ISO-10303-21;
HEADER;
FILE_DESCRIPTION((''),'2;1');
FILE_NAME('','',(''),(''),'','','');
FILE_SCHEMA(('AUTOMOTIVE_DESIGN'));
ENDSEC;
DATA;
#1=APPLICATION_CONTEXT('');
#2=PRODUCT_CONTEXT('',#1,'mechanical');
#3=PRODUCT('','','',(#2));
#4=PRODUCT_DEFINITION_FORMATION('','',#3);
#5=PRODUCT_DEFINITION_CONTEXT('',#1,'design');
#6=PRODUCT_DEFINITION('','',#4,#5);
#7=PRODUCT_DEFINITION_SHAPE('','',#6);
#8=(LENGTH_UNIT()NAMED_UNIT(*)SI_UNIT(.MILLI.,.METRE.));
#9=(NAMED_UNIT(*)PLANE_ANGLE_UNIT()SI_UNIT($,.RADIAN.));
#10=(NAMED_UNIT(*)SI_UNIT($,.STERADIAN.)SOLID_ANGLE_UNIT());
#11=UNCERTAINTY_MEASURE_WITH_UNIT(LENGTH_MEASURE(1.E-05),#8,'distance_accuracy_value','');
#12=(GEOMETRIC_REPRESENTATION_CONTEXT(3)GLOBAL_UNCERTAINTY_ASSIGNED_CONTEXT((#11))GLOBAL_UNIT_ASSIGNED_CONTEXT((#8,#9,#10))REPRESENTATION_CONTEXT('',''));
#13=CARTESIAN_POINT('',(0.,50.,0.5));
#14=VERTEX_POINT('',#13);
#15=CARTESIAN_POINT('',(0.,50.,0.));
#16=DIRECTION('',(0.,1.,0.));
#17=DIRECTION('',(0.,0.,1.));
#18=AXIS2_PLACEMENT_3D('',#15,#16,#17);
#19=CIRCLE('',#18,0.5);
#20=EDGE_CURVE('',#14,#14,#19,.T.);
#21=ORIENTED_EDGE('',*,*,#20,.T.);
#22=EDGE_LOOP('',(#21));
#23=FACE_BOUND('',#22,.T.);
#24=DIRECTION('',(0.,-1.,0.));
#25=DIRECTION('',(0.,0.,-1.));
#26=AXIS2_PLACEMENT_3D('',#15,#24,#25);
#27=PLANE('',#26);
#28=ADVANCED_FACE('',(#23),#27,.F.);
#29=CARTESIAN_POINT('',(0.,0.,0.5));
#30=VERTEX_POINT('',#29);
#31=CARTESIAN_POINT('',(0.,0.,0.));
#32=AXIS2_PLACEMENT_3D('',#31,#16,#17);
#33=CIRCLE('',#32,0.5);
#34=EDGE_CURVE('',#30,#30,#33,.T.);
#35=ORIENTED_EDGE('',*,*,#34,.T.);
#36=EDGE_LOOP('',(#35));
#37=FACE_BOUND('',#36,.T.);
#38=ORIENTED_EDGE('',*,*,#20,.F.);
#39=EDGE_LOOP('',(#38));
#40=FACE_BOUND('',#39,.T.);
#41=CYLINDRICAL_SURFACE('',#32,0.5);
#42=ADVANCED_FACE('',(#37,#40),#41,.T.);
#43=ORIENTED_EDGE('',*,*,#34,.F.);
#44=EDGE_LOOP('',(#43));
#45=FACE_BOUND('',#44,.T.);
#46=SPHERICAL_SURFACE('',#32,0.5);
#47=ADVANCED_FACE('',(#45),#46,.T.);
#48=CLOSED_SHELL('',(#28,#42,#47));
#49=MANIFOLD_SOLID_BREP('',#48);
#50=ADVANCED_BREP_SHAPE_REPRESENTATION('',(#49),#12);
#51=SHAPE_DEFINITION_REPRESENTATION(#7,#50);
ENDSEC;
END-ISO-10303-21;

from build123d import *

# Parameters (mm, degrees)
SKETCH1_W         = 0.5
SKETCH1_H         = 50
DOME1_FACE_RADIUS = 0.5
DOME1_HEIGHT      = 0.5


with BuildPart() as part:
    # Sketch1 → Revolve1 (revolve)
    with BuildSketch(Plane.XY):
        with Locations((0.25, 25)):
            Rectangle(SKETCH1_W, SKETCH1_H)
    revolve(axis=Axis((0, 0, 0), (0, -1, 0)))

    # Dome1: a dome of height H over a round flat face of radius A is a cap of a sphere of radius (A * A + H * H) / (2 * H)
    dome1_r = (DOME1_FACE_RADIUS * DOME1_FACE_RADIUS + DOME1_HEIGHT * DOME1_HEIGHT) / (2 * DOME1_HEIGHT)
    dome1_base = Plane((0, 0, 0), z_dir=(0, -1, 0))
    with Locations(dome1_base.offset(DOME1_HEIGHT - dome1_r)):
        dome1_ball = Sphere(dome1_r, mode=Mode.PRIVATE)
    add(split(dome1_ball, bisect_by=dome1_base, keep=Keep.TOP, mode=Mode.PRIVATE))


solid = part.part
